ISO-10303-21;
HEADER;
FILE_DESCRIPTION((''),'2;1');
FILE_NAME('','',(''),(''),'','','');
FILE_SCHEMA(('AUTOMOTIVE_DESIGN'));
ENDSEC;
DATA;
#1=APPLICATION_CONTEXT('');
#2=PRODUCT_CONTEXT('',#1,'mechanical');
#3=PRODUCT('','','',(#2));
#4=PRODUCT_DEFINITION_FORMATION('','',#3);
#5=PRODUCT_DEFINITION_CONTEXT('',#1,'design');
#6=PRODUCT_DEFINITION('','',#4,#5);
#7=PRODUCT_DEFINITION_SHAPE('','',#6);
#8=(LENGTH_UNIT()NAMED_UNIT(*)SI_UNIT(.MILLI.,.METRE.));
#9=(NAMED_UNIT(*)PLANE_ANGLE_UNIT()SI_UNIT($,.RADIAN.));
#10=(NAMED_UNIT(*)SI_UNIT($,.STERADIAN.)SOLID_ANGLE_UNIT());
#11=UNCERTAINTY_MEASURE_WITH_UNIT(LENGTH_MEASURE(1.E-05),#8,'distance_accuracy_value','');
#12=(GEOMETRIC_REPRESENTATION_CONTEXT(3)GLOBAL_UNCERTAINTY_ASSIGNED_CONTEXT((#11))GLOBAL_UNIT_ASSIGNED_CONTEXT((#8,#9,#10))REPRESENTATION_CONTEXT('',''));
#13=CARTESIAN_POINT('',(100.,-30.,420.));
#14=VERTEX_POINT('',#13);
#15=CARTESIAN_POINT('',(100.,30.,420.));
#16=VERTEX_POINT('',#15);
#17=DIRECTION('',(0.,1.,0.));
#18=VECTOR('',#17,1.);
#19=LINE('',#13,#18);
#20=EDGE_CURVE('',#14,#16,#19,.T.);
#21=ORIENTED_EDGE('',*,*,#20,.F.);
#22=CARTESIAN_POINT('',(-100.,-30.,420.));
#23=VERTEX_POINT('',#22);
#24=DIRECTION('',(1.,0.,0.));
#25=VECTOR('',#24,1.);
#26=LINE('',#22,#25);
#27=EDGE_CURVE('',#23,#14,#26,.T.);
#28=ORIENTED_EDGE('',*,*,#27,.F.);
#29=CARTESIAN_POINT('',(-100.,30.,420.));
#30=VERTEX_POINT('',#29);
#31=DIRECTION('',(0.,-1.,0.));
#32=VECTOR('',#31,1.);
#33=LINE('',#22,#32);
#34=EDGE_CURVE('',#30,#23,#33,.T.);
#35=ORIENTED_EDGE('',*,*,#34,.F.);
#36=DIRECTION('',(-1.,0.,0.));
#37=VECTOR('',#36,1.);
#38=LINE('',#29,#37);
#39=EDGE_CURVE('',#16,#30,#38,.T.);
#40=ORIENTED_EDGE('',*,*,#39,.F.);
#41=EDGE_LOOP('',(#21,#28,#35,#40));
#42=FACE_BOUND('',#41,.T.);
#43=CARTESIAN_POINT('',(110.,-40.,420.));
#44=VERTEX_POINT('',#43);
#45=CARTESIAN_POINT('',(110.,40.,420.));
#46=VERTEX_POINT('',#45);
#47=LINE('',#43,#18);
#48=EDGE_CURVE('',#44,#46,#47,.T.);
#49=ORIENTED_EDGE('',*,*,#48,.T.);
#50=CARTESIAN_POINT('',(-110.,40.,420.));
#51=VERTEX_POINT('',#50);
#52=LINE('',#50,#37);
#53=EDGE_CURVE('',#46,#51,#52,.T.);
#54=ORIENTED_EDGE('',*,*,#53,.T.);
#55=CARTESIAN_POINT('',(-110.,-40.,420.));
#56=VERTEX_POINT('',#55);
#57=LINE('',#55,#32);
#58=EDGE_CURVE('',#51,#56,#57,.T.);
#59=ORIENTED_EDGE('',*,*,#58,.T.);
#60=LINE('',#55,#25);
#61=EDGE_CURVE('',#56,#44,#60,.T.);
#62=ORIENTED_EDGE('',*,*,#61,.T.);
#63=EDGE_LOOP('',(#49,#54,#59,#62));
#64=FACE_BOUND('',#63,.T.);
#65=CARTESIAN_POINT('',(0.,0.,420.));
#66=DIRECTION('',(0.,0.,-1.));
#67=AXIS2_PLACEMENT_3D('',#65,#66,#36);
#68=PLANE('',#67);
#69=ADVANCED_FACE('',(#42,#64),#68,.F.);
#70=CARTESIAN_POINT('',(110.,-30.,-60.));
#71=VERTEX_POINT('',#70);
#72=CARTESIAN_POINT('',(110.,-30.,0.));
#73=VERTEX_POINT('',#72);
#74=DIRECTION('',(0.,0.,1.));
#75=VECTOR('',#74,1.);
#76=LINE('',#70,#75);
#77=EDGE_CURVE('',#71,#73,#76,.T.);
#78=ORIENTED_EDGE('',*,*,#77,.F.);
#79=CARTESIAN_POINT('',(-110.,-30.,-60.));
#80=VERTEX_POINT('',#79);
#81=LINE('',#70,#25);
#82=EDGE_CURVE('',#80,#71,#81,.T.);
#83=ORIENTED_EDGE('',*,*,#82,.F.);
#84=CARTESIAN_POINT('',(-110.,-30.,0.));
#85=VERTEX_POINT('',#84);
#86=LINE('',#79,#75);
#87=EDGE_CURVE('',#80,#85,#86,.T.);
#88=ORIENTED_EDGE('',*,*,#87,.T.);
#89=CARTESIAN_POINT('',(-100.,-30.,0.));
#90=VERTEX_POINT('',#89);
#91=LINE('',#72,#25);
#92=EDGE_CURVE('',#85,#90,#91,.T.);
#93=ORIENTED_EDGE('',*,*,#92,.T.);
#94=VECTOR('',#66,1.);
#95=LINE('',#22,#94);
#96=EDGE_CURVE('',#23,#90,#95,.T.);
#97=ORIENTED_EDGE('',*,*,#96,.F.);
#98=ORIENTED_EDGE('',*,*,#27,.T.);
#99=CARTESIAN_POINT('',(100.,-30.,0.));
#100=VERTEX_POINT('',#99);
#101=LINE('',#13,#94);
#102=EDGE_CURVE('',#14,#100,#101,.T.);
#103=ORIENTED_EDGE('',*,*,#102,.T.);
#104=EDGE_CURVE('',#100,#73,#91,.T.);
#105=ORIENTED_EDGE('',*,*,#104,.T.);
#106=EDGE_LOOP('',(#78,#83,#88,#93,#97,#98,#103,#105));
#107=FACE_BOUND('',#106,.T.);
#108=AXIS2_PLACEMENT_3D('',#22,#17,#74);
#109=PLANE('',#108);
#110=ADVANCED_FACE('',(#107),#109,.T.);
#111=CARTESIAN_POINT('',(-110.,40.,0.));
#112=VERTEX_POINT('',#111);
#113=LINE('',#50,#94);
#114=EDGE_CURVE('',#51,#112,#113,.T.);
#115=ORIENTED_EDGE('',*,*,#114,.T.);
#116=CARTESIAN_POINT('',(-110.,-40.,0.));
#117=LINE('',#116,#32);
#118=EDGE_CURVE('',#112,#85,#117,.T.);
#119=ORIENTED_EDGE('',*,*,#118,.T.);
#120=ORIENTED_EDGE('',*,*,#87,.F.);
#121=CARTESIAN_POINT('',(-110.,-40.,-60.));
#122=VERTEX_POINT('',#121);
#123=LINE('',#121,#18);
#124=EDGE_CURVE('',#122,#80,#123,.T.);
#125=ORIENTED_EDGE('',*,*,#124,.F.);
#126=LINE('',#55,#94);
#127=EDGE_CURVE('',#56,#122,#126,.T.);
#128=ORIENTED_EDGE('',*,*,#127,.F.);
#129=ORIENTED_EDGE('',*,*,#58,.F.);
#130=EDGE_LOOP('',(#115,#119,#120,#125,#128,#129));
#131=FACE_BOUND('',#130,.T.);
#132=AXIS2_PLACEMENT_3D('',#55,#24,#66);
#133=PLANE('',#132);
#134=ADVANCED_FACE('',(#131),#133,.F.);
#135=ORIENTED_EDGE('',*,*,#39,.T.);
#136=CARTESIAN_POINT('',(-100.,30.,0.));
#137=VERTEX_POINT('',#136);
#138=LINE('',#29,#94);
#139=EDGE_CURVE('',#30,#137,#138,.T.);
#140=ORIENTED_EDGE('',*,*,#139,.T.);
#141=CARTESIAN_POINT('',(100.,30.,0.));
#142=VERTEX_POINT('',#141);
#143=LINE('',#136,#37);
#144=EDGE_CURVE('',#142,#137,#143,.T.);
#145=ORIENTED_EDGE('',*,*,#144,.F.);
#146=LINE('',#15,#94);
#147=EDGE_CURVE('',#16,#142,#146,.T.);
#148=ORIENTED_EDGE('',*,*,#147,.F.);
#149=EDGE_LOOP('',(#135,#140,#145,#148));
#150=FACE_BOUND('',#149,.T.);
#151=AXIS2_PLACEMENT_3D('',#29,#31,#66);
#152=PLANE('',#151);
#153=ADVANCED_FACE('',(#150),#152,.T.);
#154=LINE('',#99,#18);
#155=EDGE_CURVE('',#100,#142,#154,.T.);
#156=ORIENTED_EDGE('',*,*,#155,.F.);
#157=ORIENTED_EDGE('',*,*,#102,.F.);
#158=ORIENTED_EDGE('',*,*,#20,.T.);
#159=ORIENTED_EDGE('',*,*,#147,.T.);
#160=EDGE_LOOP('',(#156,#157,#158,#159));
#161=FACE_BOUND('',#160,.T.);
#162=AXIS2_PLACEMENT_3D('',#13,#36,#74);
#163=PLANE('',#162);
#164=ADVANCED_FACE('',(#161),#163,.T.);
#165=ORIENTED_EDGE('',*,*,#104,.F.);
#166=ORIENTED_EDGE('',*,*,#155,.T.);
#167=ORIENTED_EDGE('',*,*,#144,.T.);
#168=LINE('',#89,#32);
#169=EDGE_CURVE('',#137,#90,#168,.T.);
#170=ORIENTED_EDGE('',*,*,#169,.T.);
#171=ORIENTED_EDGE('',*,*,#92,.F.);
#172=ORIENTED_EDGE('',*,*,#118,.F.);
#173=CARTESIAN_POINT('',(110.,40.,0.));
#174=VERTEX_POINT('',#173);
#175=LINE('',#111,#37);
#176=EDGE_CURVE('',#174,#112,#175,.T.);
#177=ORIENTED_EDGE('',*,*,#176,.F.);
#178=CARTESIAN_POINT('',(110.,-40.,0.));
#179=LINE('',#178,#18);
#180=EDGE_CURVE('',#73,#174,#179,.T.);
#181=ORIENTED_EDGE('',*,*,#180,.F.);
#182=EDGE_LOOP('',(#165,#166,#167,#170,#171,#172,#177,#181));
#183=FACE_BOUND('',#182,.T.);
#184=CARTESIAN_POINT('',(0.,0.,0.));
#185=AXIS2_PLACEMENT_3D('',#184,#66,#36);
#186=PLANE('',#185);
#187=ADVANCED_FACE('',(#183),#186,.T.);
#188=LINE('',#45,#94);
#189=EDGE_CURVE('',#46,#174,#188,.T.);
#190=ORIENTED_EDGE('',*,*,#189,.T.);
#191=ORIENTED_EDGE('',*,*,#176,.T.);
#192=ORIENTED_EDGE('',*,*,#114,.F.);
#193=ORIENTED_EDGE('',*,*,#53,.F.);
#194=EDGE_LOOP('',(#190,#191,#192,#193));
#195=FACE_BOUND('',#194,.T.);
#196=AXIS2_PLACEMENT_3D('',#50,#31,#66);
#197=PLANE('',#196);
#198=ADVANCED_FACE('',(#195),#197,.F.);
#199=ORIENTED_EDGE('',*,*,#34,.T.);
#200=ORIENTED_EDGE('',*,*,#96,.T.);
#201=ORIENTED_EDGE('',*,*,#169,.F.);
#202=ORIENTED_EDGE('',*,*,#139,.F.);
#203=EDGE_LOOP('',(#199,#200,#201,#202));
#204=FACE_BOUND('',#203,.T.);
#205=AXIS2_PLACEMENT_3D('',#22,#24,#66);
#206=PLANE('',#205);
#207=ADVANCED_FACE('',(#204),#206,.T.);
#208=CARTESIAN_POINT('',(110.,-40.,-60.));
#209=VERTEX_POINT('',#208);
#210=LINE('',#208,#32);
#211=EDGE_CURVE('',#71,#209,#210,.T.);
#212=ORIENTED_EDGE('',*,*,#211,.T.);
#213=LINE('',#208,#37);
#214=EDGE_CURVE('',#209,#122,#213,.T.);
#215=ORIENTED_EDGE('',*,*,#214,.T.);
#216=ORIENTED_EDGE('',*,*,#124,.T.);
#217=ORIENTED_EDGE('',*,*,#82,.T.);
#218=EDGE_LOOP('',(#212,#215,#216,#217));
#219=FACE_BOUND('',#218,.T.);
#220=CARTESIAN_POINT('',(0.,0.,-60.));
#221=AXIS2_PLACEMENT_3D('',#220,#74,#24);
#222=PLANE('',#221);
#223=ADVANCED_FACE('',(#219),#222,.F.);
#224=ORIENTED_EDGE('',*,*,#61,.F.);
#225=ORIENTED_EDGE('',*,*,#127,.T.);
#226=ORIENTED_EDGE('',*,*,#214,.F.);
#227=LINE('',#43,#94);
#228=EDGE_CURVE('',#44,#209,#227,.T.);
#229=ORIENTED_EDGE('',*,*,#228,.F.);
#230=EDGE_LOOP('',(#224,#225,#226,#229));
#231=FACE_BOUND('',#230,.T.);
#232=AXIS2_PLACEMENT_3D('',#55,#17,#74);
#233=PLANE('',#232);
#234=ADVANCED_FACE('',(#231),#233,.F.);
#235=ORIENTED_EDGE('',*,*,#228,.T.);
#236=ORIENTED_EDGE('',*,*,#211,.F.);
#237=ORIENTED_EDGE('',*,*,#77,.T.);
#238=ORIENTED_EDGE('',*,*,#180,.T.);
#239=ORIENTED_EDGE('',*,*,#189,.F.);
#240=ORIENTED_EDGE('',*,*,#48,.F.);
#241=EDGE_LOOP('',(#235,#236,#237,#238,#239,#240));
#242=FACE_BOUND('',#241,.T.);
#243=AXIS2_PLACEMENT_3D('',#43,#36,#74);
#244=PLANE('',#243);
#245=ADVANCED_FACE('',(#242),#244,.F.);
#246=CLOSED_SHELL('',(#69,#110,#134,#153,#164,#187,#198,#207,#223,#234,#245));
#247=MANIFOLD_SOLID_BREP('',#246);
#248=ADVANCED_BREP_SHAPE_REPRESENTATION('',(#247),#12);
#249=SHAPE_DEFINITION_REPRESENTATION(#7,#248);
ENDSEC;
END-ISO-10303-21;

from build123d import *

# Parameters (mm, degrees)
SKETCH1_W           = 220
SKETCH1_H           = 80
SKETCH1_W_2         = 200
SKETCH1_H_2         = 60
BOSS_EXTRUDE1_DEPTH = 420
SKETCH3_W           = 220
SKETCH3_H           = 10
BOSS_EXTRUDE3_DEPTH = 60


with BuildPart() as part:
    # Sketch1 → Boss-Extrude1 (new body)
    with BuildSketch(Plane.XY):
        Rectangle(SKETCH1_W, SKETCH1_H)
        Rectangle(SKETCH1_W_2, SKETCH1_H_2, mode=Mode.SUBTRACT)
    extrude(amount=BOSS_EXTRUDE1_DEPTH)

    # Sketch3 → Boss-Extrude3 (add)
    with BuildSketch(Plane(origin=(0, 0, 0), x_dir=(-1, 0, 0), z_dir=(0, 0, -1))):
        with Locations((0, -35)):
            Rectangle(SKETCH3_W, SKETCH3_H)
    extrude(amount=BOSS_EXTRUDE3_DEPTH)


solid = part.part
